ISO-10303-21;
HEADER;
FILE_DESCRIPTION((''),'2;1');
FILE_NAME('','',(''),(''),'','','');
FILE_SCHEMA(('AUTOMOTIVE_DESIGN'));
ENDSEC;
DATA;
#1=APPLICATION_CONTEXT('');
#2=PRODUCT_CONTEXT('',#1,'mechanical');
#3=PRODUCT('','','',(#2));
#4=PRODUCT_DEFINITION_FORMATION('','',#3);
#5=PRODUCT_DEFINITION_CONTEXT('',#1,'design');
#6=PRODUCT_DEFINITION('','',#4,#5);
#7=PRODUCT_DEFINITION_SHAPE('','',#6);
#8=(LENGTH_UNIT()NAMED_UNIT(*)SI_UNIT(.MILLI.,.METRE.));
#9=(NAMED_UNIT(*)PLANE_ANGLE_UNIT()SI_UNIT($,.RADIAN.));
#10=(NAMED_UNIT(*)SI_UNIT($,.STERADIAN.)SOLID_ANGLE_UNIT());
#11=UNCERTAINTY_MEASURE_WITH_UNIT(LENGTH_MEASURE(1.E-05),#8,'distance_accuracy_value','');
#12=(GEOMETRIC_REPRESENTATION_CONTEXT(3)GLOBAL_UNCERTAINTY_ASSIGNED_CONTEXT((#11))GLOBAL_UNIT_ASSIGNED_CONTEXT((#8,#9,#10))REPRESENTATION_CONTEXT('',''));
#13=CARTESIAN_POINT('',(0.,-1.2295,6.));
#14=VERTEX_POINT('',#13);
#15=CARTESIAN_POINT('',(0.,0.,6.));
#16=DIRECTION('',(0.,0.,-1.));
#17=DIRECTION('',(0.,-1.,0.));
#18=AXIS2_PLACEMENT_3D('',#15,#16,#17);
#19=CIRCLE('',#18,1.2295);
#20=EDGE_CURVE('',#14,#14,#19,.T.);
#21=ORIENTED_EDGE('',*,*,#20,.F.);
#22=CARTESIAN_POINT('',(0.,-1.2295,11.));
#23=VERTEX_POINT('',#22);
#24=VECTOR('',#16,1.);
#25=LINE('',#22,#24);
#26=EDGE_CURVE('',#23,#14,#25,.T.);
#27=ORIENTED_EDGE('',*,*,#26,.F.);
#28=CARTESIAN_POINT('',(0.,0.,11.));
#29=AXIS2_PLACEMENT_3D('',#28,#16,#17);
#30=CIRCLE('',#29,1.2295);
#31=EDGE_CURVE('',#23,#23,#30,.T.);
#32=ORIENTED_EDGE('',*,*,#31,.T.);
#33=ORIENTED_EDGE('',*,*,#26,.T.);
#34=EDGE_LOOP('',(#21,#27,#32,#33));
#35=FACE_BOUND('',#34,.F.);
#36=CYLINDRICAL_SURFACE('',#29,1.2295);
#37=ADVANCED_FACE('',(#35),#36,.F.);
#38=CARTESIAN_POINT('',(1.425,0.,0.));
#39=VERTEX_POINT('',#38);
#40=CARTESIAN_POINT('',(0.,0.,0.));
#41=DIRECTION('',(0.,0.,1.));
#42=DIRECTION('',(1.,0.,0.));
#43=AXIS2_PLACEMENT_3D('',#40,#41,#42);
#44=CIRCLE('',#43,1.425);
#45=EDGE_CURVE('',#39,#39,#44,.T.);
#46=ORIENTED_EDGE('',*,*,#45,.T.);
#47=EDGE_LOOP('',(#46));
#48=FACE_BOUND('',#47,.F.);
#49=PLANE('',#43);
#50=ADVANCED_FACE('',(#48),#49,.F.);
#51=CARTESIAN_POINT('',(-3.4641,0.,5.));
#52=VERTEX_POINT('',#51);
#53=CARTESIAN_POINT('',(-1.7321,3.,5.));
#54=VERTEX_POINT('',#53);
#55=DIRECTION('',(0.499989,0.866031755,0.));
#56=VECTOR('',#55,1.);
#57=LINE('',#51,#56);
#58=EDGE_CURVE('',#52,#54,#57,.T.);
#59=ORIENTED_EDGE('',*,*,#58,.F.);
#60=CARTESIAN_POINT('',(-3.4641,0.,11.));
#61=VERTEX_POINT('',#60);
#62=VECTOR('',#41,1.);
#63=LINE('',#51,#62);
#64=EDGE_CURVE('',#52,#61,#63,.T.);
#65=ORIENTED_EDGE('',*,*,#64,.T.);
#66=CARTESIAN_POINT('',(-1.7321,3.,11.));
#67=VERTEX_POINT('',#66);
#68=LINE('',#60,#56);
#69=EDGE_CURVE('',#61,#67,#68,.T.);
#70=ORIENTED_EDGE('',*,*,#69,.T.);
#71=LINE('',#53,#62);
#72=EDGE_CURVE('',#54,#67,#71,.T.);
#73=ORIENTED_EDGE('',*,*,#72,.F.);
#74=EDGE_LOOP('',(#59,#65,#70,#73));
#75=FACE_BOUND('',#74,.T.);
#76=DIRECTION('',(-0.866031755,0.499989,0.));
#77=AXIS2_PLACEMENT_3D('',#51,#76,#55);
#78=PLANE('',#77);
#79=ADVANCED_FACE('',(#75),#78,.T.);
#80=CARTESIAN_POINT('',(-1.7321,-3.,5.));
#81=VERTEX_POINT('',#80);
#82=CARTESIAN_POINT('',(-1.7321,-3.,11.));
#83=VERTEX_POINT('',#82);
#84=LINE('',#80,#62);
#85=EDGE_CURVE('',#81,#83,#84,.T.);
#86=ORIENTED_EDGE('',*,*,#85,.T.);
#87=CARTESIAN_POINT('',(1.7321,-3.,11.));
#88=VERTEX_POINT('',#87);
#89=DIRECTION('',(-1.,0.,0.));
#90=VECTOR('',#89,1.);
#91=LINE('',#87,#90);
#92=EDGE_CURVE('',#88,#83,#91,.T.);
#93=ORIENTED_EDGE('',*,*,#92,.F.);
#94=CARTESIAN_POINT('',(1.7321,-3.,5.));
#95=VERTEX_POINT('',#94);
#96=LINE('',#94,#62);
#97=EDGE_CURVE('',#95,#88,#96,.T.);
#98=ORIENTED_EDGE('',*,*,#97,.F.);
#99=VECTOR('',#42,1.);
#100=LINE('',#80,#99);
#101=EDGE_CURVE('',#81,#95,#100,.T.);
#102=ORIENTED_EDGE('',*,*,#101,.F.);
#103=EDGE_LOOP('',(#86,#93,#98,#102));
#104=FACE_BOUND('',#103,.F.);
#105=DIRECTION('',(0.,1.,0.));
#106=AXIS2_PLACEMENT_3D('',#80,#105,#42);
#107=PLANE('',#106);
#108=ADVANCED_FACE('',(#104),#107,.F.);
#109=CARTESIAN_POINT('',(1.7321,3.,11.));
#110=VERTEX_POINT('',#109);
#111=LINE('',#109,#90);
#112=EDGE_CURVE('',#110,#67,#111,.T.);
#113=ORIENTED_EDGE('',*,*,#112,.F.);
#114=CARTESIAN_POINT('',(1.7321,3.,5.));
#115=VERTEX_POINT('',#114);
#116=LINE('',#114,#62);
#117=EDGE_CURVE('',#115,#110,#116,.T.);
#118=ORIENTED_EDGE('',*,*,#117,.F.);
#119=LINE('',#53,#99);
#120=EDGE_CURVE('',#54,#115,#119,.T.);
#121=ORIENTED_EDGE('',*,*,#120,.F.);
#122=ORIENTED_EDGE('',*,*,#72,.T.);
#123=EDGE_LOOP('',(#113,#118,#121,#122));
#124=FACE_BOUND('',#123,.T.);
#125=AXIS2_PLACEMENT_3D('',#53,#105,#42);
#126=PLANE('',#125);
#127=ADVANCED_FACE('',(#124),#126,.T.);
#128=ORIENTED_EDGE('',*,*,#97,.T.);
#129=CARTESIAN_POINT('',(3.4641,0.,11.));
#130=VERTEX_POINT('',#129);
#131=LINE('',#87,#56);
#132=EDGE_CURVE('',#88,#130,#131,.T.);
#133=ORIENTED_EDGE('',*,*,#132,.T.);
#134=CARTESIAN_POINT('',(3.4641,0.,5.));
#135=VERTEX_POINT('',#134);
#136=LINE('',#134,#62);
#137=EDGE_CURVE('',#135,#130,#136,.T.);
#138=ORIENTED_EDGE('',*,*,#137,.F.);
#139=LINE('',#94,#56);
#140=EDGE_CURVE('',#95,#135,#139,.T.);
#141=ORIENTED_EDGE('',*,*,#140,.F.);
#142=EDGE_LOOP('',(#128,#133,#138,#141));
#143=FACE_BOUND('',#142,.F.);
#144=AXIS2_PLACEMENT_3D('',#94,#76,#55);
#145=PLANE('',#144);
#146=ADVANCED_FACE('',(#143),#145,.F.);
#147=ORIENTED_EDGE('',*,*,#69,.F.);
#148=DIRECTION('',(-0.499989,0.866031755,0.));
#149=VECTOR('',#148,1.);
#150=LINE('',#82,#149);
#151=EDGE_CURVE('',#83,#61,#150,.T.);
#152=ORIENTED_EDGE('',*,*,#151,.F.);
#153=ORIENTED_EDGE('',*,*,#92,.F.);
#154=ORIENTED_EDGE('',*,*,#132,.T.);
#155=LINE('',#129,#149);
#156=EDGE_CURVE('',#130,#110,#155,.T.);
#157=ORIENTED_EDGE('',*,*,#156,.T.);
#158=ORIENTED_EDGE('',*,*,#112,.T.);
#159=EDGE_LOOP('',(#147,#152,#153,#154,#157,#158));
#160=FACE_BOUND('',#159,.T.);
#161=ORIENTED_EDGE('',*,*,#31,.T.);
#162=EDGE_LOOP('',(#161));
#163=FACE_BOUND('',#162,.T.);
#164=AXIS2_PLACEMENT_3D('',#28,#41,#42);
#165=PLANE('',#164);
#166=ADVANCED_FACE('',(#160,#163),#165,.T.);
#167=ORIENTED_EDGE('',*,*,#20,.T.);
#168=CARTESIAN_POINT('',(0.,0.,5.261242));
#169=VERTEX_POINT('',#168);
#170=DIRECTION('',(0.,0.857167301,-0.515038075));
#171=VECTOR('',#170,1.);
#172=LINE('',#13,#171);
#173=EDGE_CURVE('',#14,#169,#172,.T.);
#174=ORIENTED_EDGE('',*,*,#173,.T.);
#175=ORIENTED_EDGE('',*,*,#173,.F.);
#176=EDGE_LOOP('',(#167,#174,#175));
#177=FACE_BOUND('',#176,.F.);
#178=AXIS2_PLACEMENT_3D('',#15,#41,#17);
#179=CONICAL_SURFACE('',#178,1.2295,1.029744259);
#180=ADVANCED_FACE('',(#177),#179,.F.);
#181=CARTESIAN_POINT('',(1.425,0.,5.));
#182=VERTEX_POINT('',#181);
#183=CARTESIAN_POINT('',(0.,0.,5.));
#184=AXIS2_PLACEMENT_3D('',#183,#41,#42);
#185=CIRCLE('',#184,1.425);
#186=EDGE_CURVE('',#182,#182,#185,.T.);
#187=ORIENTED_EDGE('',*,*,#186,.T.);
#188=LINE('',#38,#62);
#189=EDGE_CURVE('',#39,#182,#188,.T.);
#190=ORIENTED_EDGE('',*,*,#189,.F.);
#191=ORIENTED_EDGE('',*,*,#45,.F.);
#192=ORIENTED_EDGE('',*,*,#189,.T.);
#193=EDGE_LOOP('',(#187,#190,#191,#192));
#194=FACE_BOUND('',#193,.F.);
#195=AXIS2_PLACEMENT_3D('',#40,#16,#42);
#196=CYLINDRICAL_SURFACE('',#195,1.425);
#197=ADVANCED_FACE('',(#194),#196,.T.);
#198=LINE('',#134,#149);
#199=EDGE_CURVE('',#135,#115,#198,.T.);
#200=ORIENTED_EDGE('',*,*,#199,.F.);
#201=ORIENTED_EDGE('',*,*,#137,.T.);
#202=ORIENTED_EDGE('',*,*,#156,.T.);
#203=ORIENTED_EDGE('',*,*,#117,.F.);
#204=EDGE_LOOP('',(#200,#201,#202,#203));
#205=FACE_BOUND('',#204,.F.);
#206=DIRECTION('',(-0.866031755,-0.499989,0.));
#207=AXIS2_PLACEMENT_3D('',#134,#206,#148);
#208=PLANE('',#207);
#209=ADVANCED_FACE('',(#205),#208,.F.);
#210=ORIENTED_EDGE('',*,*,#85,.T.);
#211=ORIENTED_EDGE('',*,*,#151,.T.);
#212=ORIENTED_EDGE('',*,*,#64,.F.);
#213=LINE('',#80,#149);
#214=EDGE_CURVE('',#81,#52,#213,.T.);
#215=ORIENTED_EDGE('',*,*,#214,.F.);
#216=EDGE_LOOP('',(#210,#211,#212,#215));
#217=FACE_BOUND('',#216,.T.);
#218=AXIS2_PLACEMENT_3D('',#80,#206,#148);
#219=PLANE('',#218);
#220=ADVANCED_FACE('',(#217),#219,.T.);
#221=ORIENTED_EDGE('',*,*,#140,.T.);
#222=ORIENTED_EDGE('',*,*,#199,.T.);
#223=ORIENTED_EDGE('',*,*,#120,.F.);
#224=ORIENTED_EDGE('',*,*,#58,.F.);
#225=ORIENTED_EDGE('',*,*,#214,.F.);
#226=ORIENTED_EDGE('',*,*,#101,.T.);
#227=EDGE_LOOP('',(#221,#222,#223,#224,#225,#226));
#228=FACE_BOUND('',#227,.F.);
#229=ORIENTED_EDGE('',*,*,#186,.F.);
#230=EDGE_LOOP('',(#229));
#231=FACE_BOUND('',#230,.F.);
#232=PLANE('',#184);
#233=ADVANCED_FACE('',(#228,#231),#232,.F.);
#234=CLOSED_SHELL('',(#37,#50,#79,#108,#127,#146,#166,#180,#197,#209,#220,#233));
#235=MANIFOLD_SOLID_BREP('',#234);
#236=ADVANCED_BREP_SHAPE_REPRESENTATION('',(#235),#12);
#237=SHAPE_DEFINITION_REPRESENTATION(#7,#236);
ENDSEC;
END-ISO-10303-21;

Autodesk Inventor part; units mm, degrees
ref_plane "Plan YZ" through (0, 0, 0) normal (1, 0, 0) x (0, 1, 0)
ref_plane "Plan XZ" through (0, 0, 0) normal (0, 1, 0) x (-1, 0, 0)
ref_plane "Plan XY" through (0, 0, 0) normal (0, 0, 1) x (1, 0, 0)
sketch "Esquisse1" plane through (0, 0, 0) normal (0, 0, 1) x (1, 0, 0)
  circle A0 centre (0, 0) radius 1.425
  dimension "d0" = 2.85
extrude "Extrusion1" add sketch "Esquisse1" along normal blind 5
sketch "Esquisse6" plane through (0, 0, 5) normal (0, 0, 1) x (1, 0, 0)
  line L0 (-4.8497, 0) -> (4.8497, 0) construction
  line L1 (0, -4.2) -> (0, 4.2) construction
  line L2 (-1.7321, -3) -> (-3.4641, 0)
  line L3 (-3.4641, 0) -> (-1.7321, 3)
  line L4 (-1.7321, 3) -> (0, 3)
  line L5 (-1.7321, -3) -> (0, -3)
  line L6 (1.7321, -3) -> (3.4641, 0)
  line L7 (3.4641, 0) -> (1.7321, 3)
  line L8 (1.7321, 3) -> (0, 3)
  line L9 (1.7321, -3) -> (0, -3)
  point P0 (0, 0)
  dimension "d4" = 6
  dimension "d8" = 120
  dimension "d10" = 6
extrude "Extrusion2" add sketch "Esquisse6" along normal blind 6
sketch "Esquisse7" plane through (0, 0, 11) normal (0, 0, 1) x (1, 0, 0)
  circle A0 centre (0, 0) radius 1.425 projected
hole "Perçage1" at (0, 0, 11) direction (0, 0, -1) diameter 2.459 depth 5 tip angle 118 thread size "M3x0.5" class "6H" standard "ISO M"
thread "Filetage1" size "M3x0.5" class "6g" standard "ISO M" full length
properties part number "Entretoise_M3x6" material "."
